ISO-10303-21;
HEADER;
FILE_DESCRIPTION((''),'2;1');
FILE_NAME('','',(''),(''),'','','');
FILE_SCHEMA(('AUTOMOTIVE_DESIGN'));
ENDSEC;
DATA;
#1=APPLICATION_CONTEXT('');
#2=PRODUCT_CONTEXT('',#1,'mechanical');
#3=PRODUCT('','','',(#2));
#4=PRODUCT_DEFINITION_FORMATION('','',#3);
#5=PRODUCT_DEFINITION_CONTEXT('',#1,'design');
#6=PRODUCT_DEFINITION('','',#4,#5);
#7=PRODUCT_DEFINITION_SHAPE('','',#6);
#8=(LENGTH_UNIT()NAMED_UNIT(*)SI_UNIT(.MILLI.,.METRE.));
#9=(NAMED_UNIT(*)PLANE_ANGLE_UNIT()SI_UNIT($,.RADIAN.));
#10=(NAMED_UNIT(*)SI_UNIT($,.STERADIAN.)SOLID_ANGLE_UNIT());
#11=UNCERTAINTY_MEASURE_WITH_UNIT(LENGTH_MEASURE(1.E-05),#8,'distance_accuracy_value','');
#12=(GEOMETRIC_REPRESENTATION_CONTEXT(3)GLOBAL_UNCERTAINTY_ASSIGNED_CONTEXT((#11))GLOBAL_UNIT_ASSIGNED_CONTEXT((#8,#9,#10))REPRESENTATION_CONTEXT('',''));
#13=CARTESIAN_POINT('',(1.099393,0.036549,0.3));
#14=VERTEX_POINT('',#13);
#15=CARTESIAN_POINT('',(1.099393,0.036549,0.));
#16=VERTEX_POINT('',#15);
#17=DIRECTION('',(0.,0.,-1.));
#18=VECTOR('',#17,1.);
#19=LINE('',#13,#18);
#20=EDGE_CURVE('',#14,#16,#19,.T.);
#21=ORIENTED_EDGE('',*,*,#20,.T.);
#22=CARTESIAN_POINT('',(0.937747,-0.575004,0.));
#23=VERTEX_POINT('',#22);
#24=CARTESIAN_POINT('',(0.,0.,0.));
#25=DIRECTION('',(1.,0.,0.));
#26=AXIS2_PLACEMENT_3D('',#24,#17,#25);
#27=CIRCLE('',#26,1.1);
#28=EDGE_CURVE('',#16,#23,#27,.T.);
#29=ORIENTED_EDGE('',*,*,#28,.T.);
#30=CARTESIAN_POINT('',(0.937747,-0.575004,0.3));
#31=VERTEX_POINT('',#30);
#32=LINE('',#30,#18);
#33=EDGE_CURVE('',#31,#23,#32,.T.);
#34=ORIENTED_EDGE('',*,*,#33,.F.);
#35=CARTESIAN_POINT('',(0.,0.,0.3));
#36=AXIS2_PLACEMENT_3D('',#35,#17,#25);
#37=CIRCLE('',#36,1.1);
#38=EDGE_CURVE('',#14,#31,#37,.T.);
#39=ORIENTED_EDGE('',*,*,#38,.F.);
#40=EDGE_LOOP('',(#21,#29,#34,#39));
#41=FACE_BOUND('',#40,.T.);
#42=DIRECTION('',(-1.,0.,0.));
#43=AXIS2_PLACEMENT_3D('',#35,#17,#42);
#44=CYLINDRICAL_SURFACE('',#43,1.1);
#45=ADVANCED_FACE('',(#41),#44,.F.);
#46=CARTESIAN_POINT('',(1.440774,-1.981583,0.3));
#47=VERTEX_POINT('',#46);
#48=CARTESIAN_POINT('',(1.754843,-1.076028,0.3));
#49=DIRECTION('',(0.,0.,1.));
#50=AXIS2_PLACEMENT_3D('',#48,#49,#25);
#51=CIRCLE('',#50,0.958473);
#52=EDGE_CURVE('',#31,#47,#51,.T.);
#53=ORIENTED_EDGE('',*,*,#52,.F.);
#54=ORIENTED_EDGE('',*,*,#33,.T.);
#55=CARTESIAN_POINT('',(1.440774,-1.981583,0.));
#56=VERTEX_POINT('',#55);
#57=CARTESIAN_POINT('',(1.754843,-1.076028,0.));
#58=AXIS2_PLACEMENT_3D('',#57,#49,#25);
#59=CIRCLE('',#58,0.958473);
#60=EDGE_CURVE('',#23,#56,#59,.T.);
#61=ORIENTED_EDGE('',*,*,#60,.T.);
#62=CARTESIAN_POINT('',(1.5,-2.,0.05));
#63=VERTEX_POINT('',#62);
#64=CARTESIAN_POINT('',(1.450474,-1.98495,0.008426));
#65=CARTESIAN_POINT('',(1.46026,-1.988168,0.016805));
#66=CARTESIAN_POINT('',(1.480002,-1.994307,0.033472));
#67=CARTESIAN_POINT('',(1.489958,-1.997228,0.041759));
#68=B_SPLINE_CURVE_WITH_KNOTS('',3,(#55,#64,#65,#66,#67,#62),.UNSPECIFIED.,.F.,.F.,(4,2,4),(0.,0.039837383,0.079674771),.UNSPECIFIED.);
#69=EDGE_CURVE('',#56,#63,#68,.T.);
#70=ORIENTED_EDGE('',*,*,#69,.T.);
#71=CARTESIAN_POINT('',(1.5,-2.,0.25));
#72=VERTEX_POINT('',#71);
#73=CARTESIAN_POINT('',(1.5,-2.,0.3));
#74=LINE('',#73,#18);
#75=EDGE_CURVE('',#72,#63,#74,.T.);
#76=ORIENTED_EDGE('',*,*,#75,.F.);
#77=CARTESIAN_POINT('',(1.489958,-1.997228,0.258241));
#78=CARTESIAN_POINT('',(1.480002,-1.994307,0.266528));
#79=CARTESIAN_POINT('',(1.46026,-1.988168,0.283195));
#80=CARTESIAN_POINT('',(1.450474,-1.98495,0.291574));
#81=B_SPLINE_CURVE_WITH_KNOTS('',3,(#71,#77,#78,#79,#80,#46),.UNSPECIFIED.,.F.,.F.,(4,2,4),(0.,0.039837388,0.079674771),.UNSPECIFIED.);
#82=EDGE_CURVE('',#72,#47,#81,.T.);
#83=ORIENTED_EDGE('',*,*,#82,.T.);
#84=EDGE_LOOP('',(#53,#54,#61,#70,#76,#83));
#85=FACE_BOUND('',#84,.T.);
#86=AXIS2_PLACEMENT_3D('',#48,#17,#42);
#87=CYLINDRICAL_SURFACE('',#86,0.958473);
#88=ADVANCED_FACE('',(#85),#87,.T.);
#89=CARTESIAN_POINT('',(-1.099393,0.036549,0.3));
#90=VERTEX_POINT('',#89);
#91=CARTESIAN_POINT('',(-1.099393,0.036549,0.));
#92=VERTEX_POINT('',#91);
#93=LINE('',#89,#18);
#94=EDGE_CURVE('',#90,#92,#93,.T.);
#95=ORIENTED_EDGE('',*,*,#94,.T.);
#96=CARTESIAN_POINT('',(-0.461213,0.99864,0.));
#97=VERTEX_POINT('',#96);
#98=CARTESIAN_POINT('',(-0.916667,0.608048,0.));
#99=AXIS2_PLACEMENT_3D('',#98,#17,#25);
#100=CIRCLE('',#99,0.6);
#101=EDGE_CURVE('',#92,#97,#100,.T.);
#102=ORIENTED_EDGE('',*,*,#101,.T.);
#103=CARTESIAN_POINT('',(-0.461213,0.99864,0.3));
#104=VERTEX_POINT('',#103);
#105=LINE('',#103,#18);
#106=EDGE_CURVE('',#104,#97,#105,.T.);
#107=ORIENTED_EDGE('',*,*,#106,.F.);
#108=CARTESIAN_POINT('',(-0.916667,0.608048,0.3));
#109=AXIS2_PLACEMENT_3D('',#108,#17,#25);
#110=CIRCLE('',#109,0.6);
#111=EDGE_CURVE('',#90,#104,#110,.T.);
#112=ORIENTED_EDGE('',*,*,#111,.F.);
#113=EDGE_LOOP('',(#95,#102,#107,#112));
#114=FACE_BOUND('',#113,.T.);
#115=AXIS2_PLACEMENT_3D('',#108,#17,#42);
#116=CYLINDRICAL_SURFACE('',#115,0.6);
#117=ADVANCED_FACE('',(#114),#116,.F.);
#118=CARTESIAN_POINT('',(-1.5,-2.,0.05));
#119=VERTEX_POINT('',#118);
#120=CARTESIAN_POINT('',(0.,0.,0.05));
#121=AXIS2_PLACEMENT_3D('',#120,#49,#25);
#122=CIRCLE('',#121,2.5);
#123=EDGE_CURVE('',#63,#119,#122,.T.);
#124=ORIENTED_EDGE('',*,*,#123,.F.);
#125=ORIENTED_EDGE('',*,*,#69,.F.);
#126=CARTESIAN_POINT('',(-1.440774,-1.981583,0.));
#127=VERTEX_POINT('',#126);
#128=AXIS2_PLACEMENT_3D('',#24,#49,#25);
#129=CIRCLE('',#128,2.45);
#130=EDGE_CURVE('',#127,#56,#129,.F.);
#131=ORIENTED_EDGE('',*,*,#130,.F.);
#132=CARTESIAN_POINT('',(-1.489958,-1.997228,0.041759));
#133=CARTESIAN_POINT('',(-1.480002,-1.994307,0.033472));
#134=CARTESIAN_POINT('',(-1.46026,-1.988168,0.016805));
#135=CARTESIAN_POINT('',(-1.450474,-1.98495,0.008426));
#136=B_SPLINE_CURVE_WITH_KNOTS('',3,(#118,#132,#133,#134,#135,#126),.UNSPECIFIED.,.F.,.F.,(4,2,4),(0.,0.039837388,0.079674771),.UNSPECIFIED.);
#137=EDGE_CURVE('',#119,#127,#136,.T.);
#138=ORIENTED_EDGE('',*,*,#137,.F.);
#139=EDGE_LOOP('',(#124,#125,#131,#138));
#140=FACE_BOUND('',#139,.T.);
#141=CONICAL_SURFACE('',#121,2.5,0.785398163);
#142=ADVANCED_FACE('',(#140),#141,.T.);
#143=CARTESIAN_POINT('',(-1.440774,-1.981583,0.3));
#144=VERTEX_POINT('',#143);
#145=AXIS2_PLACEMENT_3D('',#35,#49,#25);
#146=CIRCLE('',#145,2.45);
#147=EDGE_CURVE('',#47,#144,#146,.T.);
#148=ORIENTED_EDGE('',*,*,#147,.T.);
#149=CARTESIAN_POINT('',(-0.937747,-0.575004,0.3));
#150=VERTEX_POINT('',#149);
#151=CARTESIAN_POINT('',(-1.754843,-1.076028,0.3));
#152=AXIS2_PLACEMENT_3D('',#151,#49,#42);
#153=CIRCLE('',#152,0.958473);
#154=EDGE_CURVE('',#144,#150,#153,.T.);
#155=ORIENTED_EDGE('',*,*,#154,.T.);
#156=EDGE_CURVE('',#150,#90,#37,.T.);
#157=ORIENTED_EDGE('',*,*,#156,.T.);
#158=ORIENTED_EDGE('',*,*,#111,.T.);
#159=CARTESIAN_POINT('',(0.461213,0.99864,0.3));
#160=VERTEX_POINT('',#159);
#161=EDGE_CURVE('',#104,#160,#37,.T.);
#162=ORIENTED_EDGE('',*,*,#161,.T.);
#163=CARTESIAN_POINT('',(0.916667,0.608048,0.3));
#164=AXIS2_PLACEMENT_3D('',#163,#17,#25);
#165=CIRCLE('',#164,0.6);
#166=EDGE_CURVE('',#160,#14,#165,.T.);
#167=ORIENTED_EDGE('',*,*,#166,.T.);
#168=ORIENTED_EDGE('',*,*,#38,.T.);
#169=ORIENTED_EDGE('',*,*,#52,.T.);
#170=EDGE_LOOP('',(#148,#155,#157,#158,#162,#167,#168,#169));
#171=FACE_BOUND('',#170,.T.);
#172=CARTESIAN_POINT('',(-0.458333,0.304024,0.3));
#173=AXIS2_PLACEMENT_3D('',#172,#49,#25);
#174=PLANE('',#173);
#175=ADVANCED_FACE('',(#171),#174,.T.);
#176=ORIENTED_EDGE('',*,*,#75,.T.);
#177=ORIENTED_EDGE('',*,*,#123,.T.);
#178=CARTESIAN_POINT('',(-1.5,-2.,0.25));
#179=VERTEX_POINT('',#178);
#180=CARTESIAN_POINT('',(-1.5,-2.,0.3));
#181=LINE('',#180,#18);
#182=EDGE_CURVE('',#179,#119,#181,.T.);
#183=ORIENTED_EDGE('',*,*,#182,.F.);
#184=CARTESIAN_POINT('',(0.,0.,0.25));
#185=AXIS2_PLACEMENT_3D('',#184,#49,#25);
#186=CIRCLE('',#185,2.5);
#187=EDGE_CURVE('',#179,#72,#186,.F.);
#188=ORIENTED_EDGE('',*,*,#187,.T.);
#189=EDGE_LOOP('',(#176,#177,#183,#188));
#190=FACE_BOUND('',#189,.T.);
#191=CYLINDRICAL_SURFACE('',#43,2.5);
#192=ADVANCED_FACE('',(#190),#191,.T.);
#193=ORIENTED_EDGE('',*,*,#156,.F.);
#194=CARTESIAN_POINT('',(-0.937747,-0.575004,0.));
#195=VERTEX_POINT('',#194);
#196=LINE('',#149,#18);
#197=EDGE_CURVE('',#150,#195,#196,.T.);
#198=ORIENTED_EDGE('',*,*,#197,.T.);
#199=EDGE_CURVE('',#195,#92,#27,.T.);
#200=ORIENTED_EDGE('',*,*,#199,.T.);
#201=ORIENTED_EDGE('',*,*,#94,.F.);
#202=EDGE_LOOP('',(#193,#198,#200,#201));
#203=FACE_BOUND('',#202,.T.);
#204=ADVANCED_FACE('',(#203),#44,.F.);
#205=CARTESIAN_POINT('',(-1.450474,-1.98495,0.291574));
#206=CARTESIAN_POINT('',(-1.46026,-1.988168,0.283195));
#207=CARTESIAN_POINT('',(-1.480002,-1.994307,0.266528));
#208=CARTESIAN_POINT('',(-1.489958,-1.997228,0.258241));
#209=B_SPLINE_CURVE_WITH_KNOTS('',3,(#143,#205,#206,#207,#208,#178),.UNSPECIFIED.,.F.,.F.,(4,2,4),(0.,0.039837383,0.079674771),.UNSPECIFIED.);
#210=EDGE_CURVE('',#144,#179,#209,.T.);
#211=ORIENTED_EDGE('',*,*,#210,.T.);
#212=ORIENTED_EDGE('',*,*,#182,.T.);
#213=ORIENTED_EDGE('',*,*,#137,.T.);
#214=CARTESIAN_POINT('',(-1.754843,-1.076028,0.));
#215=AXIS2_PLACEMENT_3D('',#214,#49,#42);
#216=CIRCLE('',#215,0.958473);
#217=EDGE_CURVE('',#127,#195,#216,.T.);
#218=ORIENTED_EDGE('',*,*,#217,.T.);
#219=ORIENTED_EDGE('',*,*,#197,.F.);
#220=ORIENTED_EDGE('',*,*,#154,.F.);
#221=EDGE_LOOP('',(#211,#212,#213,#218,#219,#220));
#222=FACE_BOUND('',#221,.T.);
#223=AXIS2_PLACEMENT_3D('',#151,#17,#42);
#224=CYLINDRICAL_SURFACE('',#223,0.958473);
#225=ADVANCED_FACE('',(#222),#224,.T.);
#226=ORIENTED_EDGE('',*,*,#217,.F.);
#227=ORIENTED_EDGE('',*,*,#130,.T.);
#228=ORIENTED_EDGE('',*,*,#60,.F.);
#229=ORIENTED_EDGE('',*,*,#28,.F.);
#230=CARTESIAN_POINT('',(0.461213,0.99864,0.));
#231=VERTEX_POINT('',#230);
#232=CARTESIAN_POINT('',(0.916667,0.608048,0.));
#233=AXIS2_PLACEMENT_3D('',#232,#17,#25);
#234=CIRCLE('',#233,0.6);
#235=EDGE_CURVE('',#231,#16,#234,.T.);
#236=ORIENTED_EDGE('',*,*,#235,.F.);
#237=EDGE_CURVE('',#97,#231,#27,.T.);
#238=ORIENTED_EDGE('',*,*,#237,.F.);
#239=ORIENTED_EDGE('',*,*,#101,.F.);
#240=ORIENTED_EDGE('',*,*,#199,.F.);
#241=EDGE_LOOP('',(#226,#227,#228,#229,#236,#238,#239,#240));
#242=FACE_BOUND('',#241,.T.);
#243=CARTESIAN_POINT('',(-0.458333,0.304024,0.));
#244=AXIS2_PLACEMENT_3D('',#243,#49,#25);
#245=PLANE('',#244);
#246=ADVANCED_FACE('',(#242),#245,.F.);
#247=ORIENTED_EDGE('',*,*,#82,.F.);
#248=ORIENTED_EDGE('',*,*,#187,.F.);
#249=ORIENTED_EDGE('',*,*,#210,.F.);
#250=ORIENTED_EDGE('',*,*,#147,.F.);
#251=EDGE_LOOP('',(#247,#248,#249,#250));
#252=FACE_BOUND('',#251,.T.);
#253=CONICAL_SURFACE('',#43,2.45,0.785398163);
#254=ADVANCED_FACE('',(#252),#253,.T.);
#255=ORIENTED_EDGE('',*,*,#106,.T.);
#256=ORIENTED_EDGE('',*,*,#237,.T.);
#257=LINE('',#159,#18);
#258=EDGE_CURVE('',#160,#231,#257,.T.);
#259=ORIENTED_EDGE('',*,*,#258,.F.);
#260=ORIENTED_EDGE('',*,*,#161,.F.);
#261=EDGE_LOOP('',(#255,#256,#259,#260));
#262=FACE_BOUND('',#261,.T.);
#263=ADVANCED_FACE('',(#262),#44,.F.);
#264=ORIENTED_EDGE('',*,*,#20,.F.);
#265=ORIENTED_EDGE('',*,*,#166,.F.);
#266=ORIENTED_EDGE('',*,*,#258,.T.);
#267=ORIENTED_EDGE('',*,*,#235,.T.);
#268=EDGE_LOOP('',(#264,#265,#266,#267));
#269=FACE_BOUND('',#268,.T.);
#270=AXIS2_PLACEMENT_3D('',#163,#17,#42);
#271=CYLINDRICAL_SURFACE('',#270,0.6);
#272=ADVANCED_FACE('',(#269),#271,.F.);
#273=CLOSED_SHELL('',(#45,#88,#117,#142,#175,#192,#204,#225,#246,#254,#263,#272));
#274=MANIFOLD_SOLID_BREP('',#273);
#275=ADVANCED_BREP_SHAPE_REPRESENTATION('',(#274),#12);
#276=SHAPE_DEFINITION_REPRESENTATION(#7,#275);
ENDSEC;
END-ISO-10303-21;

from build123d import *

# Parameters (mm, degrees)
EXTRUDE_1_DEPTH = 0.3
CHAMFER_1_SIZE  = 0.05


with BuildPart() as part:
    # 草图1 → 凸台-拉伸1 (new body)
    with BuildSketch(Plane.XY):
        with BuildLine():
            ThreePointArc((-1.099392644, 0.036548782), (-1.063477372, -0.281097632), (-0.937747349, -0.57500427))
            ThreePointArc((-0.937747349, -0.57500427), (-0.863262156, -1.427813797), (-1.5, -2))
            ThreePointArc((-1.5, -2), (0, 2.5), (1.5, -2))
            ThreePointArc((1.5, -2), (0.863262156, -1.427813797), (0.937747349, -0.57500427))
            ThreePointArc((0.937747349, -0.57500427), (1.063477372, -0.281097632), (1.099392644, 0.036548782))
            ThreePointArc((1.099392644, 0.036548782), (1.416666667, 0.939710357), (0.461213416, 0.998640168))
            ThreePointArc((0.461213416, 0.998640168), (0, 1.1), (-0.461213416, 0.998640168))
            ThreePointArc((-0.461213416, 0.998640168), (-1.416666667, 0.939710357), (-1.099392644, 0.036548782))
        make_face()
    extrude(amount=EXTRUDE_1_DEPTH)

    # 倒角1
    chamfer_1_edges = [part.edges().sort_by_distance(p)[0] for p in [
        (0, 2.5, 0.3),
        (0, 2.5, 0),
    ]]
    chamfer(chamfer_1_edges, length=CHAMFER_1_SIZE)


solid = part.part
